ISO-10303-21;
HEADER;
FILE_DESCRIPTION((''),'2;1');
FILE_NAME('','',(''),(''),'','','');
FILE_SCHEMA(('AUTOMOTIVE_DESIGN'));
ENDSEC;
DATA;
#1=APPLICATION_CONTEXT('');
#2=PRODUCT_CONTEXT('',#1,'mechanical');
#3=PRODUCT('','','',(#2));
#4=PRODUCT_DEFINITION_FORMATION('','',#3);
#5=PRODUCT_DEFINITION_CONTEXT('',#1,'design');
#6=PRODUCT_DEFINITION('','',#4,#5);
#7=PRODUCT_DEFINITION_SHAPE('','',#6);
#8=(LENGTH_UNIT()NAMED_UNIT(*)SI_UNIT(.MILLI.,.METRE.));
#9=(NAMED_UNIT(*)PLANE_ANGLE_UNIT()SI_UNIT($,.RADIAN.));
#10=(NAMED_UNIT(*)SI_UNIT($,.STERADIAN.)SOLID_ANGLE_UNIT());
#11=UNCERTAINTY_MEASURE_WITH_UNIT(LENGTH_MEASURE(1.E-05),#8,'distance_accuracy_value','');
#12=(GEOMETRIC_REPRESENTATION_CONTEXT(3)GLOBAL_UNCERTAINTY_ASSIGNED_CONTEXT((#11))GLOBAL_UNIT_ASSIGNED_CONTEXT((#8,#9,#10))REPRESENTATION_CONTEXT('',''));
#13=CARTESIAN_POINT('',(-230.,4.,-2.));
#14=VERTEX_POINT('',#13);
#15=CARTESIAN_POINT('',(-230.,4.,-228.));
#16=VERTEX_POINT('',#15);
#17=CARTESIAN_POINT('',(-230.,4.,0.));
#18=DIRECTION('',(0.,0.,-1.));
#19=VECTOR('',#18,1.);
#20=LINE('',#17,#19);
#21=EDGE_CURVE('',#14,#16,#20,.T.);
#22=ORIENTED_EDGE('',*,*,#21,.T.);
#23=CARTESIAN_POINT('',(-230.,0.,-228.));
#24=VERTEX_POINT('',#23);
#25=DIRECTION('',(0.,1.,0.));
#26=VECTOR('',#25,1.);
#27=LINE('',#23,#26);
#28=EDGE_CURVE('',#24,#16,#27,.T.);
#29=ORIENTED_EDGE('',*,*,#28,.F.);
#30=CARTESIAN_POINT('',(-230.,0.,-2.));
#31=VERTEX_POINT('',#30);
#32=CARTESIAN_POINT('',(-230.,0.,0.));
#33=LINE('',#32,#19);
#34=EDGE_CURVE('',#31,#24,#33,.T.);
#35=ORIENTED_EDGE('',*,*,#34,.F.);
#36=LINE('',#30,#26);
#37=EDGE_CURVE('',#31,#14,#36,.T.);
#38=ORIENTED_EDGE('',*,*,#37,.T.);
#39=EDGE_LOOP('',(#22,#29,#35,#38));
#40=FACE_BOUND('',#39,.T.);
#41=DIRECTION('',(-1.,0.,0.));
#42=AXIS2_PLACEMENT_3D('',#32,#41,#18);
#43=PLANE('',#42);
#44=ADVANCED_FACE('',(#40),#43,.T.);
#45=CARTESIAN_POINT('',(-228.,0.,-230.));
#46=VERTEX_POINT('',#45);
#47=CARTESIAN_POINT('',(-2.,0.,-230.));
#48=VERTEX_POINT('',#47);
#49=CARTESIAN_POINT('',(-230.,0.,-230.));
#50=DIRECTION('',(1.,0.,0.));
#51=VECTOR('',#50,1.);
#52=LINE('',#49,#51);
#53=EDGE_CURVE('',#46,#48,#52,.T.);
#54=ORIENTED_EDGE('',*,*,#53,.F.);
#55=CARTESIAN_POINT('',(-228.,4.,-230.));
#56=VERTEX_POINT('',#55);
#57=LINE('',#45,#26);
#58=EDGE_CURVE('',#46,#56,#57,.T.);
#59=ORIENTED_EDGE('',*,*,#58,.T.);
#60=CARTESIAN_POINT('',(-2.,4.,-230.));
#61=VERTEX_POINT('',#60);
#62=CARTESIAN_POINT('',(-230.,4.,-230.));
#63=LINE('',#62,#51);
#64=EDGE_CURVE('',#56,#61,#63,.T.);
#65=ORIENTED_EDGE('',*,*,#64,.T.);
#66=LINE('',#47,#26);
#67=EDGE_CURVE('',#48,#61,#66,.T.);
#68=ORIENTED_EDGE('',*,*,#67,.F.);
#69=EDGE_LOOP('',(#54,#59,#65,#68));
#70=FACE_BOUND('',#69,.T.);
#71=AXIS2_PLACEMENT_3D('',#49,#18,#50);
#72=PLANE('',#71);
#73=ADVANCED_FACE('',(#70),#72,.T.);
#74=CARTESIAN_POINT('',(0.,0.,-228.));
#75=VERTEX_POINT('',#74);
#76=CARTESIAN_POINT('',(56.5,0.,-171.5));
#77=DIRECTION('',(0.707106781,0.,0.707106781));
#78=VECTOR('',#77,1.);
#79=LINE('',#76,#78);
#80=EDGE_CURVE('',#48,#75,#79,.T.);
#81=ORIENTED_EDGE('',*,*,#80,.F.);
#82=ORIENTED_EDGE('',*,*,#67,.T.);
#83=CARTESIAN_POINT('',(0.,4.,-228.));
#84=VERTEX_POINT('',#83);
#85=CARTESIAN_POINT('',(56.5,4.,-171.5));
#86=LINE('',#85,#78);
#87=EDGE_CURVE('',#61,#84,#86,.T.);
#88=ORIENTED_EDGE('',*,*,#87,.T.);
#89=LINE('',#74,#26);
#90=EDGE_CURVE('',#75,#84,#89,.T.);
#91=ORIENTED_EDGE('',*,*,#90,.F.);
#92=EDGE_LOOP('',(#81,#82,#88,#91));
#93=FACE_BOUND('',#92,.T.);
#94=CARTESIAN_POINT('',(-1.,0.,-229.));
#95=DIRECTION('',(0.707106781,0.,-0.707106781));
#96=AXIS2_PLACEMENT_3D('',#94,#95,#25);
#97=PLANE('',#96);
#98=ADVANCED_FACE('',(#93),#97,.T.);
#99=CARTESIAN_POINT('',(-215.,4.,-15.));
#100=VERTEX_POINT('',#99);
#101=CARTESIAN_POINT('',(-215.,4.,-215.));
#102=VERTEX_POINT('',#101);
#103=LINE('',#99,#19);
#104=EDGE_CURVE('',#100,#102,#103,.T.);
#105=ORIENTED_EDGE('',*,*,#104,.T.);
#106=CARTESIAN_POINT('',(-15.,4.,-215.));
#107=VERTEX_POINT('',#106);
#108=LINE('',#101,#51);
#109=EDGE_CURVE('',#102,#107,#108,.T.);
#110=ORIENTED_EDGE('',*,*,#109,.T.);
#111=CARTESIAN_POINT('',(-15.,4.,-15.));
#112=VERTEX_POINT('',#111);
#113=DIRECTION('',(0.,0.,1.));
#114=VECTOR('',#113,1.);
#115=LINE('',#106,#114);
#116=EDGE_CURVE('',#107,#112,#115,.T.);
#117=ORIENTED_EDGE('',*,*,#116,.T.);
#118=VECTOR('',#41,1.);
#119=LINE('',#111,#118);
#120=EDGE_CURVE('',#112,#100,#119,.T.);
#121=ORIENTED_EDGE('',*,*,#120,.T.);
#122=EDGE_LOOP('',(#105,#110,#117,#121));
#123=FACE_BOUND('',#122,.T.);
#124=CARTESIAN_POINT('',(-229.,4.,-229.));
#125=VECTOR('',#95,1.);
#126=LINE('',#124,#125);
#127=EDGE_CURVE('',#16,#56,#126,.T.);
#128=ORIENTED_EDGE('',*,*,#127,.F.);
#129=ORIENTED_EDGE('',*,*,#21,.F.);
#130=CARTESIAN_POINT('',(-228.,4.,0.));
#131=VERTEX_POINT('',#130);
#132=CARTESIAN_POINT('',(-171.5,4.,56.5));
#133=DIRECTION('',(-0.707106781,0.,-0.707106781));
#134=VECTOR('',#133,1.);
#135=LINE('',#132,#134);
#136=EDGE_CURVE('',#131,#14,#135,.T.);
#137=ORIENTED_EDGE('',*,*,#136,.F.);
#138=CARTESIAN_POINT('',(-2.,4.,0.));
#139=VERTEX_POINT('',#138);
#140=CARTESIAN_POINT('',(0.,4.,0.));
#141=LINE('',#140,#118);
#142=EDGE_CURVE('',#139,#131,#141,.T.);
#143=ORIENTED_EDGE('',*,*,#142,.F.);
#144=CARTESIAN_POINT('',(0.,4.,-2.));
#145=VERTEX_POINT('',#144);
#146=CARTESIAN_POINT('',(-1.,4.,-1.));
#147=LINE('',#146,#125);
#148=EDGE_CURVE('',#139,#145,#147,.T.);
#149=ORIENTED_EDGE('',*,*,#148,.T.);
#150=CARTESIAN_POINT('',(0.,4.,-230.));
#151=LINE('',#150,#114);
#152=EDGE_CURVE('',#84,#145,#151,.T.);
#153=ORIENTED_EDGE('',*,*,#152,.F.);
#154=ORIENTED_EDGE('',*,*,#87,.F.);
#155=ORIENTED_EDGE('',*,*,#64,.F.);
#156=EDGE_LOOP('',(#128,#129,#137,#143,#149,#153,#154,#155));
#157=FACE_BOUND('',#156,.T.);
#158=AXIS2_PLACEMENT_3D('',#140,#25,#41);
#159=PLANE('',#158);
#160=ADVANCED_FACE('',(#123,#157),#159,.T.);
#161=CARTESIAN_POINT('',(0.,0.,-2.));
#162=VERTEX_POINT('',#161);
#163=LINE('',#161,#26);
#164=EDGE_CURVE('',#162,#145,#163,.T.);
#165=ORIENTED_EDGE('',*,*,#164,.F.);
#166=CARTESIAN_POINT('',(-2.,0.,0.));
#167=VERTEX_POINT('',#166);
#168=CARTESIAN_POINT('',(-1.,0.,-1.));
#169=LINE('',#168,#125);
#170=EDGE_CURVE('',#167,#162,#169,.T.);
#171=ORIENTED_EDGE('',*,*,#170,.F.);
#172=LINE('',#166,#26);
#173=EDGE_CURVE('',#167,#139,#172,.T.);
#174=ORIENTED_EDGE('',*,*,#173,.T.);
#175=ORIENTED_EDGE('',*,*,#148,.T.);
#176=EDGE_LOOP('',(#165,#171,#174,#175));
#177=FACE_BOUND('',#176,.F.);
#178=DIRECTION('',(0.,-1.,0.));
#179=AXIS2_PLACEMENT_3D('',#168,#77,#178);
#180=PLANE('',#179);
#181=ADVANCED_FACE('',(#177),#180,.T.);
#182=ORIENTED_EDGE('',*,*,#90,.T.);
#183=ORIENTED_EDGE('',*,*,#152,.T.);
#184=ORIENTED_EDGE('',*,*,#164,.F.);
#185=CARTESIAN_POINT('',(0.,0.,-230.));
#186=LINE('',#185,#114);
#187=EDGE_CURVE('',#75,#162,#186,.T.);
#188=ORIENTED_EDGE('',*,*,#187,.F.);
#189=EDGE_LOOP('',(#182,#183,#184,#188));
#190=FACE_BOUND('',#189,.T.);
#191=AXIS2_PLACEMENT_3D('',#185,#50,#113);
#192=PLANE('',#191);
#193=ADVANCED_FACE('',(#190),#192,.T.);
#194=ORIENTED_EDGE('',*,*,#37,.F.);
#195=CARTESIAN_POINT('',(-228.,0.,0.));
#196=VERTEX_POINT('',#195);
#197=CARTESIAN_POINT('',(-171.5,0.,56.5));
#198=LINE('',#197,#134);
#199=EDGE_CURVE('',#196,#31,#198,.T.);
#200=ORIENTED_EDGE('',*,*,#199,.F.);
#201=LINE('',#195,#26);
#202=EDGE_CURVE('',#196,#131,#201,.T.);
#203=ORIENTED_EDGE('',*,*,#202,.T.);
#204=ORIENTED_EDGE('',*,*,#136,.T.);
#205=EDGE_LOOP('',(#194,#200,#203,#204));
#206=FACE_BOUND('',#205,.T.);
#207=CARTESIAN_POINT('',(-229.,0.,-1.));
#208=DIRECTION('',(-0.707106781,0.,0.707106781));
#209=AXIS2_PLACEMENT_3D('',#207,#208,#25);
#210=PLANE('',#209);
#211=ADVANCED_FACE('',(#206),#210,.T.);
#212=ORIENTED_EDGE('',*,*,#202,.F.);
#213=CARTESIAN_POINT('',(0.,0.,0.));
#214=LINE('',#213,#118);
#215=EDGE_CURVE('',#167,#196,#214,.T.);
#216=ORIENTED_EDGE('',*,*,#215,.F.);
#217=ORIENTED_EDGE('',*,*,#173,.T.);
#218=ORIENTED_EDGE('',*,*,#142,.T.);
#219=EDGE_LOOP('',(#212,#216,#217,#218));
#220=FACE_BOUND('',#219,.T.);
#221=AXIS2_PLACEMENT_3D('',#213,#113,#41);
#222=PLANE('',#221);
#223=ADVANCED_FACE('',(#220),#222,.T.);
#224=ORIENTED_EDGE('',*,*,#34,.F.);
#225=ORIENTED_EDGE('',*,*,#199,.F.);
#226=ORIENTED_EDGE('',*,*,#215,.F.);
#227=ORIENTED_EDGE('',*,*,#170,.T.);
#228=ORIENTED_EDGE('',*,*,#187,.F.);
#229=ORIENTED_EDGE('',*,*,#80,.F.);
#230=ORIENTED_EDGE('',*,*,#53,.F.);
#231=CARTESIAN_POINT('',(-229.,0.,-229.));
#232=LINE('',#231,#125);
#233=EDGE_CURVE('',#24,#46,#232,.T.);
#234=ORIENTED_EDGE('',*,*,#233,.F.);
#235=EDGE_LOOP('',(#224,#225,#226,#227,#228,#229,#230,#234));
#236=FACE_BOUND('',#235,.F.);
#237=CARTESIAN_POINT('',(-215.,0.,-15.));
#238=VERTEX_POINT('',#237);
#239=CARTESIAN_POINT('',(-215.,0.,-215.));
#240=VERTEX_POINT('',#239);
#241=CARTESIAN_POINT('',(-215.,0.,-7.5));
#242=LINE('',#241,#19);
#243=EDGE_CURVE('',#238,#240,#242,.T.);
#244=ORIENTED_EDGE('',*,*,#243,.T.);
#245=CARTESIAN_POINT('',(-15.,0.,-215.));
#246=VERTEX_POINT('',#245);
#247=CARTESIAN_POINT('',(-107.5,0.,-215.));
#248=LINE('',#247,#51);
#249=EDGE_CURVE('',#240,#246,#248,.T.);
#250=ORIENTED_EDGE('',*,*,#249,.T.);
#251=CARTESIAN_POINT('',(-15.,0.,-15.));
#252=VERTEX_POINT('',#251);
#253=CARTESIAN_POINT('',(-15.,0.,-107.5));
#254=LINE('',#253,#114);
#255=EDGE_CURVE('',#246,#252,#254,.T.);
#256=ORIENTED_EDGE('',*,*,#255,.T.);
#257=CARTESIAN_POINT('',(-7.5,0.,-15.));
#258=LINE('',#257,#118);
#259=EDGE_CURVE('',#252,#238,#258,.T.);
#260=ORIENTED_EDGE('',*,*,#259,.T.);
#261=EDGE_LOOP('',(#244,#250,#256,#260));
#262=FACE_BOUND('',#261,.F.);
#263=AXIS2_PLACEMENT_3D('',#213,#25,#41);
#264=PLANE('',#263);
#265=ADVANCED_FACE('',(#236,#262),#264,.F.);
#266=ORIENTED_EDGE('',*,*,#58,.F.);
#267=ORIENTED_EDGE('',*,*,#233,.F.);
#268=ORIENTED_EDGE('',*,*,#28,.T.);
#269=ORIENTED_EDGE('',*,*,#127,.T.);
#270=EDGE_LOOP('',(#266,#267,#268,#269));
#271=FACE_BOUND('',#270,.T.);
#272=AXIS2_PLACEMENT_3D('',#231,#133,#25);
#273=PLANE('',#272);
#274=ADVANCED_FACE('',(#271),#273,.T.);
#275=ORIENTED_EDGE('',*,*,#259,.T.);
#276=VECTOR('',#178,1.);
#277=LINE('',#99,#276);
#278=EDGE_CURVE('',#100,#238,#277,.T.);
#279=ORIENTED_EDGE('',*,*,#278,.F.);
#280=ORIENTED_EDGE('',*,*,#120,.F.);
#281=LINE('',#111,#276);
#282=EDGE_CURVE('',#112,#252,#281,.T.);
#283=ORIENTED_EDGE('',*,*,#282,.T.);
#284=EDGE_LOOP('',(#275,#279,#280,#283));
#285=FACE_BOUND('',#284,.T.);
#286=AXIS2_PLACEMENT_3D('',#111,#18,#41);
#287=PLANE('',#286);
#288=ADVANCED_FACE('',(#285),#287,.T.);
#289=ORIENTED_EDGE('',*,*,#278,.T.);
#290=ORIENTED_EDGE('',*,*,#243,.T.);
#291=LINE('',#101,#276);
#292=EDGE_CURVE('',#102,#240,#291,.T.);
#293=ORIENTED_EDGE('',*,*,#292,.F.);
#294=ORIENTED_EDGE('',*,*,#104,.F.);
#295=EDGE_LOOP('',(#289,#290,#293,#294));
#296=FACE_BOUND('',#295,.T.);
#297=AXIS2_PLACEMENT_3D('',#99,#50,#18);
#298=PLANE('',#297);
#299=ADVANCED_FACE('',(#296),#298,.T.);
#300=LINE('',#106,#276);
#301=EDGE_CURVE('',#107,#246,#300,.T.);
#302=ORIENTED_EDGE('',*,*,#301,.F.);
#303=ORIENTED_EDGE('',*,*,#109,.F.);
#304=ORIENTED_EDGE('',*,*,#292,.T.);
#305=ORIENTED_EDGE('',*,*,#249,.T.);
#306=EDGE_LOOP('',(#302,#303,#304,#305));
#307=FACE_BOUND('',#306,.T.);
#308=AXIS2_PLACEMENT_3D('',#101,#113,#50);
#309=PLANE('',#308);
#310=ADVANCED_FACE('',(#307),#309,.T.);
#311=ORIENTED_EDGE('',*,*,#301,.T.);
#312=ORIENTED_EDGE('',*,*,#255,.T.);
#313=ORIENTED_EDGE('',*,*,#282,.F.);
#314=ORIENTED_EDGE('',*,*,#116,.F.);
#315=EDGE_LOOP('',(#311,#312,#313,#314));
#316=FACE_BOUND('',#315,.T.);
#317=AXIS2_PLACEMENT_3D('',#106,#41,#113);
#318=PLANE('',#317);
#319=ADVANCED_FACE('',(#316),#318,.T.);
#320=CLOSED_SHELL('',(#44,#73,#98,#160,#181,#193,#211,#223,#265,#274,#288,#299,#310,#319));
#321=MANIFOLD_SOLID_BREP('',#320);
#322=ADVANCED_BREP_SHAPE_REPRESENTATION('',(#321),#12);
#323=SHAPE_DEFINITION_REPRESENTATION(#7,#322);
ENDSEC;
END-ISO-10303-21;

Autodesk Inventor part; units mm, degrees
ref_plane "YZ Plane" through (0, 0, 0) normal (1, 0, 0) x (0, 1, 0)
ref_plane "XZ Plane" through (0, 0, 0) normal (0, 1, 0) x (-1, 0, 0)
ref_plane "XY Plane" through (0, 0, 0) normal (0, 0, 1) x (1, 0, 0)
sketch "Sketch1" plane through (0, 0, 0) normal (0, 1, 0) x (-1, 0, 0)
  line L0 (0, 0) -> (230, 0)
  line L1 (230, 0) -> (230, -230)
  line L2 (230, -230) -> (0, -230)
  line L3 (0, -230) -> (0, 0)
  dimension "d0" = 230
  dimension "d1" = 230
extrude "Extrusion1" add sketch "Sketch1" along normal blind 4
chamfer "Chamfer1" distance 2 angle 45 4 edges at (-230, 2, 0) (-230, 2, -230) (0, 2, -230) (0, 2, 0)
sketch "Sketch5" plane through (0, 4, 0) normal (0, 1, 0) x (1, 0, 0)
  line L0 (-215, 215) -> (-15, 215)
  line L1 (-15, 215) -> (-15, 15)
  line L2 (-15, 15) -> (-215, 15)
  line L3 (-215, 15) -> (-215, 215)
  point P0 (0, 0)
  dimension "d29" = 200
  dimension "d30" = 200
  dimension "d31" = 15
  dimension "d32" = 15
extrude "Extrusion5" cut sketch "Sketch5" against normal through all
properties part number "MouldBase20"
